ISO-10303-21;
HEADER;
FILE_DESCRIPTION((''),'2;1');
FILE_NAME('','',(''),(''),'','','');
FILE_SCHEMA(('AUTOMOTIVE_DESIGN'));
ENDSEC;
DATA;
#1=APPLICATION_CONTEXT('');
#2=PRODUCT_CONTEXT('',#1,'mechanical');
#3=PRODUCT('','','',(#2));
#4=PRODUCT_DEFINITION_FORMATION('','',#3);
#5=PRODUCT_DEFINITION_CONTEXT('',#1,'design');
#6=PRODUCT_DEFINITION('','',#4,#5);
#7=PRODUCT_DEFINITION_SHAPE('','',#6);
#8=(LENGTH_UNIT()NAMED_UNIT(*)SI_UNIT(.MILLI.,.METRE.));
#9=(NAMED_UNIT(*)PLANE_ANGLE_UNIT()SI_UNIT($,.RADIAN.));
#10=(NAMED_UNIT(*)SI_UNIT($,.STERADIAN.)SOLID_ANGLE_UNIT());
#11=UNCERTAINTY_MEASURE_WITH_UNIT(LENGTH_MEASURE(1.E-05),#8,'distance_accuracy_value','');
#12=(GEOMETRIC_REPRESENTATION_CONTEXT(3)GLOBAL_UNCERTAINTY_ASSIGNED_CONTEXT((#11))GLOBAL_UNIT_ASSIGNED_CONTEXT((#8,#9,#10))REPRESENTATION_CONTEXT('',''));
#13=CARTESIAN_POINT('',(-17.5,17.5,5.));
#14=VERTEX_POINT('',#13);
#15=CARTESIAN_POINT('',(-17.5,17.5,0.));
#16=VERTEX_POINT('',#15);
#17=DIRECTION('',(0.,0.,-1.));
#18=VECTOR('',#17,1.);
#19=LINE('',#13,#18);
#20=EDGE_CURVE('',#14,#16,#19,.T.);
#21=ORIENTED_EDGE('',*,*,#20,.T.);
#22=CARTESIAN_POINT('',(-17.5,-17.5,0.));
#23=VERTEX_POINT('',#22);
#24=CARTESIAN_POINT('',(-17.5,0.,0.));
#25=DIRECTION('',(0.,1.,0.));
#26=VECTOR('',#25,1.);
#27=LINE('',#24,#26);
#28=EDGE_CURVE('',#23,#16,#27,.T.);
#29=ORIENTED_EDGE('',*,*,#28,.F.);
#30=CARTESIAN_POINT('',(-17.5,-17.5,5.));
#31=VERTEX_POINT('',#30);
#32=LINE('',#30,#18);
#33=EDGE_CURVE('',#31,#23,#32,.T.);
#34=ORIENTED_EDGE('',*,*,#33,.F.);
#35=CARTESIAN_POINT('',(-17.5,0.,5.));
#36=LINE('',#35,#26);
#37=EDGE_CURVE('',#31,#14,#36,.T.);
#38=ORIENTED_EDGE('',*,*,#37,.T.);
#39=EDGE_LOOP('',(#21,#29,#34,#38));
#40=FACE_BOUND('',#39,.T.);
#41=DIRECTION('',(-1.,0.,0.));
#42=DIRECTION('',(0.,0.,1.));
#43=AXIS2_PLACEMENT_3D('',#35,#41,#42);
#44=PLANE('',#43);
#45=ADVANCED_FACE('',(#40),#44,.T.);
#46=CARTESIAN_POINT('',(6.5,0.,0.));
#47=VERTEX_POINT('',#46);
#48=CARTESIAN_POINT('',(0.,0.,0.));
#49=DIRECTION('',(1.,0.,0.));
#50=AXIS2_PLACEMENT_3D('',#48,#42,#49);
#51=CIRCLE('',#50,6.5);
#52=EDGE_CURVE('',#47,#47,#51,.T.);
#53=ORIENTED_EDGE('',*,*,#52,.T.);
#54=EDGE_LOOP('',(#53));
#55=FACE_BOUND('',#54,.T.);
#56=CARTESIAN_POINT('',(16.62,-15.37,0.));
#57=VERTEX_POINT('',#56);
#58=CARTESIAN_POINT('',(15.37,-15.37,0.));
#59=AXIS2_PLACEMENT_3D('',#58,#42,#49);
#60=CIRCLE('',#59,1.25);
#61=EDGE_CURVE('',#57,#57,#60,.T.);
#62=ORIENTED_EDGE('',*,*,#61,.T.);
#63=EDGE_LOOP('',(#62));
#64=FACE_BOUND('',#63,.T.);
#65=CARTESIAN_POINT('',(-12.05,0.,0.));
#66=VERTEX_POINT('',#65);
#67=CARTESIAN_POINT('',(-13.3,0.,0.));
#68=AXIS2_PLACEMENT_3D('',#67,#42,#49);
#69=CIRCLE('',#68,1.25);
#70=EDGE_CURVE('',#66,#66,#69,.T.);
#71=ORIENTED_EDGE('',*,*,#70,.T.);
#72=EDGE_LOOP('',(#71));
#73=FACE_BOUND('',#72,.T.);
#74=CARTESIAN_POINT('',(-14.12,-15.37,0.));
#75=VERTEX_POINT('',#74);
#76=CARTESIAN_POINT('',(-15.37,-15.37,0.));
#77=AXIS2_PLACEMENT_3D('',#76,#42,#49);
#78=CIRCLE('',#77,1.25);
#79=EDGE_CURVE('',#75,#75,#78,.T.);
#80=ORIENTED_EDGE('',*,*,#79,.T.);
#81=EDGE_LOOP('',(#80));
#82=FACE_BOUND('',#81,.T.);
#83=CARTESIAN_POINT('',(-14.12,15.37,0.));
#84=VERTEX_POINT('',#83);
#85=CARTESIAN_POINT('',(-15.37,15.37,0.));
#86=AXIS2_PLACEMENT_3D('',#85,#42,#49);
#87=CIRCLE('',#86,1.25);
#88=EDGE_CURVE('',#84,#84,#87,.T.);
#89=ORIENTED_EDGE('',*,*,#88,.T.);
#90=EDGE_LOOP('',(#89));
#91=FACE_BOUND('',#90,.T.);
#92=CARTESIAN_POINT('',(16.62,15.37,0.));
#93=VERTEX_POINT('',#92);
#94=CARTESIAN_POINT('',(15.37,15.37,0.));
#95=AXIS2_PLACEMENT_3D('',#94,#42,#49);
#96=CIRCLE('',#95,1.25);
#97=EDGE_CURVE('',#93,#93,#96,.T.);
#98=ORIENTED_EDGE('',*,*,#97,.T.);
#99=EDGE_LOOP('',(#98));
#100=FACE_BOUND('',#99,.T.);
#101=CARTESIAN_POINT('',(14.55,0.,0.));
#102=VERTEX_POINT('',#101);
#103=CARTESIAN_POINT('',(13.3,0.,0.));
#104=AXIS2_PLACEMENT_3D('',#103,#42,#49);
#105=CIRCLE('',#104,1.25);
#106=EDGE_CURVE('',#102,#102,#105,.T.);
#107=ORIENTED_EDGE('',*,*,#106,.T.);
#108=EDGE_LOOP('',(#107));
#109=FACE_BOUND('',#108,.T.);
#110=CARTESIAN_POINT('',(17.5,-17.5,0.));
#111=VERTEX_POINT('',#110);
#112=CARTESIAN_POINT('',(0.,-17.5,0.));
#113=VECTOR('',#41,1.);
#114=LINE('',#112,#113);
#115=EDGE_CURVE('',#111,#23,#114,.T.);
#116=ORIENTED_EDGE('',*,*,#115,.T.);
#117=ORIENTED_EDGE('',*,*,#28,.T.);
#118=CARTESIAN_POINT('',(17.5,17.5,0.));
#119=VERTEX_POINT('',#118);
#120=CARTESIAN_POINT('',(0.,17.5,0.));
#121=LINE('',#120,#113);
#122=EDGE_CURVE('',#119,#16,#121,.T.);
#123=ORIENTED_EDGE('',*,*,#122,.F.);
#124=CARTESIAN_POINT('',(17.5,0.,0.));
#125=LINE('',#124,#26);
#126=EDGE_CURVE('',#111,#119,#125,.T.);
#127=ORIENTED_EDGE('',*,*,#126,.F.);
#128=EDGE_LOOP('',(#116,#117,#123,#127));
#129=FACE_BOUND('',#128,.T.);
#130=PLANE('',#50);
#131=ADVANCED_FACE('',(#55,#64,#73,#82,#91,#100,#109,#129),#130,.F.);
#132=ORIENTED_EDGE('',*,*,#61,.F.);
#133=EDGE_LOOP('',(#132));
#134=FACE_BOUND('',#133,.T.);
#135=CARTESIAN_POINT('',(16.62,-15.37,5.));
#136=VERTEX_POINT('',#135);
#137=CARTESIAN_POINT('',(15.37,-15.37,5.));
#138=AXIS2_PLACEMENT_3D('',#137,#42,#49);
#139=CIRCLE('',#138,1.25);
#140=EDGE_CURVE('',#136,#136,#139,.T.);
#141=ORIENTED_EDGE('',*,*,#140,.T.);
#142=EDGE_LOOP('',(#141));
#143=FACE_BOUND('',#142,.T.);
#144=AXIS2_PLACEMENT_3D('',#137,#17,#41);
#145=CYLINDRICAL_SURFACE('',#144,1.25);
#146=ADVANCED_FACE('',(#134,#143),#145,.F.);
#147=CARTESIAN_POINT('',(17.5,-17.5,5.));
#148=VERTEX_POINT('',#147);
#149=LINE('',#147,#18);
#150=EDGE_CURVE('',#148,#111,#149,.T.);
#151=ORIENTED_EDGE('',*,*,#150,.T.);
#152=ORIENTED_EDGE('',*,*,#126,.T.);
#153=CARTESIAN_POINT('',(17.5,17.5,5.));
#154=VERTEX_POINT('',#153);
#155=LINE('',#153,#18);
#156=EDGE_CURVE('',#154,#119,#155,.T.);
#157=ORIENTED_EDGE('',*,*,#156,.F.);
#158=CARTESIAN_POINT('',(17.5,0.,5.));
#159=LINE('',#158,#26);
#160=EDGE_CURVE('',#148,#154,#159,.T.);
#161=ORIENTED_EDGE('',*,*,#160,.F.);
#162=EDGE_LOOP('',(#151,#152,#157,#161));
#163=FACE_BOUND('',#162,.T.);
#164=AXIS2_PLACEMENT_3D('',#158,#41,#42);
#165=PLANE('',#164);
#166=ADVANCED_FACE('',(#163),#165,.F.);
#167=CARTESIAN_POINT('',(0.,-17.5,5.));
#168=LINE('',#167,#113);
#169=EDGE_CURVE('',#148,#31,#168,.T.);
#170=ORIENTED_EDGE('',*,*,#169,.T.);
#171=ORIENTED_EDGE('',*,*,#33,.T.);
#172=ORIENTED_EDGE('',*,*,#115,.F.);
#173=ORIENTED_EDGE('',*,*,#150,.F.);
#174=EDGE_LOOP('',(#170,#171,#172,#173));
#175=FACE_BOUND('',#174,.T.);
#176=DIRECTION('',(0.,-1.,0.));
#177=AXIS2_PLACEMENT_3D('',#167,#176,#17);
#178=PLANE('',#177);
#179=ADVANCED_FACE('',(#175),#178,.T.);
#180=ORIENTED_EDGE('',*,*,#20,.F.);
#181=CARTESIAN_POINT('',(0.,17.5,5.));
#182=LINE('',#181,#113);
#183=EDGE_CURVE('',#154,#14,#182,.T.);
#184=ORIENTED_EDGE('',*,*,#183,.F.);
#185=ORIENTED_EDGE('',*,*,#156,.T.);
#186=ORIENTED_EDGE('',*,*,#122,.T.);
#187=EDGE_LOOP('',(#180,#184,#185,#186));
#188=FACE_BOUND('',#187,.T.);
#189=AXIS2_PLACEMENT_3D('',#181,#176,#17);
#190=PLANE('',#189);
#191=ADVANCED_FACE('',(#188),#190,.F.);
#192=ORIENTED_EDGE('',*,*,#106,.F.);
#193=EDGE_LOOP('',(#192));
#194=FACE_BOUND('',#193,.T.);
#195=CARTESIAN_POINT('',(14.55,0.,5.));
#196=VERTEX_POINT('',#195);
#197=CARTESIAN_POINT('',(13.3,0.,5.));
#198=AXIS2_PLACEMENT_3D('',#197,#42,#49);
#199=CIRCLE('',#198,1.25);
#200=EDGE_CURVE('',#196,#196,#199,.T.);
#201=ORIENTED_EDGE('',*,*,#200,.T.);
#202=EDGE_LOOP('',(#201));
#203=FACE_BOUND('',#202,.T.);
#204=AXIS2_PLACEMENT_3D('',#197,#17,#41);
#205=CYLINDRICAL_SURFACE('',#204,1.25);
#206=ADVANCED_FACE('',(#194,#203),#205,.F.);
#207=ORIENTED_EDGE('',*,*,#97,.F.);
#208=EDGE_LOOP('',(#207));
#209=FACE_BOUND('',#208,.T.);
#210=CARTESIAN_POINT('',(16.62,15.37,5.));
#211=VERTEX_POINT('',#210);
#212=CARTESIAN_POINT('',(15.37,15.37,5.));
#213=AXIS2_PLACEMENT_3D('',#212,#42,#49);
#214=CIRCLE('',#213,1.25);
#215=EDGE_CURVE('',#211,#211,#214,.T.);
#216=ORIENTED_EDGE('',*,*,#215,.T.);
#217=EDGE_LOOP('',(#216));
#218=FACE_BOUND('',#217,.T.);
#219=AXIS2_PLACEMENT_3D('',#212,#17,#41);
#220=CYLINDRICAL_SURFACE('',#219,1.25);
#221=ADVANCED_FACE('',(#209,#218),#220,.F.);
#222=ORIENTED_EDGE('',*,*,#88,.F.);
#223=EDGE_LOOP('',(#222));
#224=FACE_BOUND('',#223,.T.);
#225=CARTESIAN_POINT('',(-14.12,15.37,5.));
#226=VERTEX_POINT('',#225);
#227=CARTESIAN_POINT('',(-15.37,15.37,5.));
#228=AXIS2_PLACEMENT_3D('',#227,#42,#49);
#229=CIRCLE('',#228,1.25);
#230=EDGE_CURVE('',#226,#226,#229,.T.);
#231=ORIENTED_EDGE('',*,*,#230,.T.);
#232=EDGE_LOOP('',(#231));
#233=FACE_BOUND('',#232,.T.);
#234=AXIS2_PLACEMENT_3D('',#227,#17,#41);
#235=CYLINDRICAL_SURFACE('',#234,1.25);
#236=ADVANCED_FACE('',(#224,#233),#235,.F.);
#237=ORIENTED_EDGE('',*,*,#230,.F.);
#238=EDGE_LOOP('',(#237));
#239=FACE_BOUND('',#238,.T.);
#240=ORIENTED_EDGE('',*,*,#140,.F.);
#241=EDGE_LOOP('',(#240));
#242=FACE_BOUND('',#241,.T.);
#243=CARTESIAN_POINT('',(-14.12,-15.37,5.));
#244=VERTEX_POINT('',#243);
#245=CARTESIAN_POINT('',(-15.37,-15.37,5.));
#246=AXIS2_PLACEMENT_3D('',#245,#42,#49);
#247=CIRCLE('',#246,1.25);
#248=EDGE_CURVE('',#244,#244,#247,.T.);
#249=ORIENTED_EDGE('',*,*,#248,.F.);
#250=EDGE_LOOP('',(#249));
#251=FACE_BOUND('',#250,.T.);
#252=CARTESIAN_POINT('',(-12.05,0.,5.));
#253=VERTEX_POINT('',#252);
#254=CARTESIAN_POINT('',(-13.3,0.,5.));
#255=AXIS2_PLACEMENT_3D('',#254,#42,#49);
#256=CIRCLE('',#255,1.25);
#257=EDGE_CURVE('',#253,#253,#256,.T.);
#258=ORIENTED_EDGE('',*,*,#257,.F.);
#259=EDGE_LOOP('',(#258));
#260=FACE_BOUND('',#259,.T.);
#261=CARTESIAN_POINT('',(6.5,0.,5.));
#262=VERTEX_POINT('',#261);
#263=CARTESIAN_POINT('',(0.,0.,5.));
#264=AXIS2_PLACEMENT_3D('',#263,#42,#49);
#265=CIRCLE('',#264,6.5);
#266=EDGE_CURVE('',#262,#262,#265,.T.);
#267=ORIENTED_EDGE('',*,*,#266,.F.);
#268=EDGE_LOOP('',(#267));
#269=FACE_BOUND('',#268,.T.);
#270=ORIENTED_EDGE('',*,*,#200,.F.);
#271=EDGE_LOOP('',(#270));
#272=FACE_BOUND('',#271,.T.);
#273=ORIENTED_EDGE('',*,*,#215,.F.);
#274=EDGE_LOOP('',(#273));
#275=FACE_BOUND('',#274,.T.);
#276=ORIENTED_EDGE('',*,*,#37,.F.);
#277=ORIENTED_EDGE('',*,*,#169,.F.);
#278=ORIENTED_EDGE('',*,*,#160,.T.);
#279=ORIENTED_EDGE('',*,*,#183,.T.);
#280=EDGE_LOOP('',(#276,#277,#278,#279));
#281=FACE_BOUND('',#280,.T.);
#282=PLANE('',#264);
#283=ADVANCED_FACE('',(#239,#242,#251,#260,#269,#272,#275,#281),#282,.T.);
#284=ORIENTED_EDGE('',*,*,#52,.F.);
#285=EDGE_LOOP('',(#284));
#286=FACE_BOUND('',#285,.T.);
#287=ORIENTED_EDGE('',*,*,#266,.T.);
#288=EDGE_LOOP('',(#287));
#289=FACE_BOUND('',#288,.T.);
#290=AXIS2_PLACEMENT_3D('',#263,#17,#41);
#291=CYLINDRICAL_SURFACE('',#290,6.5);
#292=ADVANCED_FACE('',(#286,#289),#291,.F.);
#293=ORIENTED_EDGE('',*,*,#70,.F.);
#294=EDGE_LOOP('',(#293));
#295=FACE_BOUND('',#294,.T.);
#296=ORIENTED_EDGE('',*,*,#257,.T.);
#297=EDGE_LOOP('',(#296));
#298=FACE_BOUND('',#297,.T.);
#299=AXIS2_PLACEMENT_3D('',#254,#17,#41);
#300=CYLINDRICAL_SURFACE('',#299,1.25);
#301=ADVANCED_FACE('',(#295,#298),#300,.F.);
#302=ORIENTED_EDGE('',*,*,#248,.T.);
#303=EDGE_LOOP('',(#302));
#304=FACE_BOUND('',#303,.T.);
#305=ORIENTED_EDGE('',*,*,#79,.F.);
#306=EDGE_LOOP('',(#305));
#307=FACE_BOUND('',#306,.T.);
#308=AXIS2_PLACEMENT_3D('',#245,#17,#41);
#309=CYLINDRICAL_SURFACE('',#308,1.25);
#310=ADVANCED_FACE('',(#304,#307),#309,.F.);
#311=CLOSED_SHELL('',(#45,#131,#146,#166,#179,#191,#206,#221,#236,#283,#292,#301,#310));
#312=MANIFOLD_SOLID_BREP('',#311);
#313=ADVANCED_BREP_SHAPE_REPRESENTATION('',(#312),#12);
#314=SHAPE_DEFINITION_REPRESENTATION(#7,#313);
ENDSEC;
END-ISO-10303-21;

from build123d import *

# Parameters (mm, degrees)
CROQUIS1_W              = 35
CROQUIS1_H              = 35
CROQUIS1_R              = 1.25
CROQUIS1_R_2            = 6.5
SALIENTE_EXTRUIR1_DEPTH = 5


with BuildPart() as part:
    # Croquis1 → Saliente-Extruir1 (new body)
    with BuildSketch(Plane.XY):
        Rectangle(CROQUIS1_W, CROQUIS1_H)
        with Locations((-15.37, 15.37)):
            Circle(CROQUIS1_R, mode=Mode.SUBTRACT)
        with Locations((15.37, 15.37)):
            Circle(CROQUIS1_R, mode=Mode.SUBTRACT)
        with Locations((15.37, -15.37)):
            Circle(CROQUIS1_R, mode=Mode.SUBTRACT)
        with Locations((-15.37, -15.37)):
            Circle(CROQUIS1_R, mode=Mode.SUBTRACT)
        Circle(CROQUIS1_R_2, mode=Mode.SUBTRACT)
        with Locations((13.3, 0)):
            Circle(CROQUIS1_R, mode=Mode.SUBTRACT)
        with Locations((-13.3, 0)):
            Circle(CROQUIS1_R, mode=Mode.SUBTRACT)
    extrude(amount=SALIENTE_EXTRUIR1_DEPTH)


solid = part.part
